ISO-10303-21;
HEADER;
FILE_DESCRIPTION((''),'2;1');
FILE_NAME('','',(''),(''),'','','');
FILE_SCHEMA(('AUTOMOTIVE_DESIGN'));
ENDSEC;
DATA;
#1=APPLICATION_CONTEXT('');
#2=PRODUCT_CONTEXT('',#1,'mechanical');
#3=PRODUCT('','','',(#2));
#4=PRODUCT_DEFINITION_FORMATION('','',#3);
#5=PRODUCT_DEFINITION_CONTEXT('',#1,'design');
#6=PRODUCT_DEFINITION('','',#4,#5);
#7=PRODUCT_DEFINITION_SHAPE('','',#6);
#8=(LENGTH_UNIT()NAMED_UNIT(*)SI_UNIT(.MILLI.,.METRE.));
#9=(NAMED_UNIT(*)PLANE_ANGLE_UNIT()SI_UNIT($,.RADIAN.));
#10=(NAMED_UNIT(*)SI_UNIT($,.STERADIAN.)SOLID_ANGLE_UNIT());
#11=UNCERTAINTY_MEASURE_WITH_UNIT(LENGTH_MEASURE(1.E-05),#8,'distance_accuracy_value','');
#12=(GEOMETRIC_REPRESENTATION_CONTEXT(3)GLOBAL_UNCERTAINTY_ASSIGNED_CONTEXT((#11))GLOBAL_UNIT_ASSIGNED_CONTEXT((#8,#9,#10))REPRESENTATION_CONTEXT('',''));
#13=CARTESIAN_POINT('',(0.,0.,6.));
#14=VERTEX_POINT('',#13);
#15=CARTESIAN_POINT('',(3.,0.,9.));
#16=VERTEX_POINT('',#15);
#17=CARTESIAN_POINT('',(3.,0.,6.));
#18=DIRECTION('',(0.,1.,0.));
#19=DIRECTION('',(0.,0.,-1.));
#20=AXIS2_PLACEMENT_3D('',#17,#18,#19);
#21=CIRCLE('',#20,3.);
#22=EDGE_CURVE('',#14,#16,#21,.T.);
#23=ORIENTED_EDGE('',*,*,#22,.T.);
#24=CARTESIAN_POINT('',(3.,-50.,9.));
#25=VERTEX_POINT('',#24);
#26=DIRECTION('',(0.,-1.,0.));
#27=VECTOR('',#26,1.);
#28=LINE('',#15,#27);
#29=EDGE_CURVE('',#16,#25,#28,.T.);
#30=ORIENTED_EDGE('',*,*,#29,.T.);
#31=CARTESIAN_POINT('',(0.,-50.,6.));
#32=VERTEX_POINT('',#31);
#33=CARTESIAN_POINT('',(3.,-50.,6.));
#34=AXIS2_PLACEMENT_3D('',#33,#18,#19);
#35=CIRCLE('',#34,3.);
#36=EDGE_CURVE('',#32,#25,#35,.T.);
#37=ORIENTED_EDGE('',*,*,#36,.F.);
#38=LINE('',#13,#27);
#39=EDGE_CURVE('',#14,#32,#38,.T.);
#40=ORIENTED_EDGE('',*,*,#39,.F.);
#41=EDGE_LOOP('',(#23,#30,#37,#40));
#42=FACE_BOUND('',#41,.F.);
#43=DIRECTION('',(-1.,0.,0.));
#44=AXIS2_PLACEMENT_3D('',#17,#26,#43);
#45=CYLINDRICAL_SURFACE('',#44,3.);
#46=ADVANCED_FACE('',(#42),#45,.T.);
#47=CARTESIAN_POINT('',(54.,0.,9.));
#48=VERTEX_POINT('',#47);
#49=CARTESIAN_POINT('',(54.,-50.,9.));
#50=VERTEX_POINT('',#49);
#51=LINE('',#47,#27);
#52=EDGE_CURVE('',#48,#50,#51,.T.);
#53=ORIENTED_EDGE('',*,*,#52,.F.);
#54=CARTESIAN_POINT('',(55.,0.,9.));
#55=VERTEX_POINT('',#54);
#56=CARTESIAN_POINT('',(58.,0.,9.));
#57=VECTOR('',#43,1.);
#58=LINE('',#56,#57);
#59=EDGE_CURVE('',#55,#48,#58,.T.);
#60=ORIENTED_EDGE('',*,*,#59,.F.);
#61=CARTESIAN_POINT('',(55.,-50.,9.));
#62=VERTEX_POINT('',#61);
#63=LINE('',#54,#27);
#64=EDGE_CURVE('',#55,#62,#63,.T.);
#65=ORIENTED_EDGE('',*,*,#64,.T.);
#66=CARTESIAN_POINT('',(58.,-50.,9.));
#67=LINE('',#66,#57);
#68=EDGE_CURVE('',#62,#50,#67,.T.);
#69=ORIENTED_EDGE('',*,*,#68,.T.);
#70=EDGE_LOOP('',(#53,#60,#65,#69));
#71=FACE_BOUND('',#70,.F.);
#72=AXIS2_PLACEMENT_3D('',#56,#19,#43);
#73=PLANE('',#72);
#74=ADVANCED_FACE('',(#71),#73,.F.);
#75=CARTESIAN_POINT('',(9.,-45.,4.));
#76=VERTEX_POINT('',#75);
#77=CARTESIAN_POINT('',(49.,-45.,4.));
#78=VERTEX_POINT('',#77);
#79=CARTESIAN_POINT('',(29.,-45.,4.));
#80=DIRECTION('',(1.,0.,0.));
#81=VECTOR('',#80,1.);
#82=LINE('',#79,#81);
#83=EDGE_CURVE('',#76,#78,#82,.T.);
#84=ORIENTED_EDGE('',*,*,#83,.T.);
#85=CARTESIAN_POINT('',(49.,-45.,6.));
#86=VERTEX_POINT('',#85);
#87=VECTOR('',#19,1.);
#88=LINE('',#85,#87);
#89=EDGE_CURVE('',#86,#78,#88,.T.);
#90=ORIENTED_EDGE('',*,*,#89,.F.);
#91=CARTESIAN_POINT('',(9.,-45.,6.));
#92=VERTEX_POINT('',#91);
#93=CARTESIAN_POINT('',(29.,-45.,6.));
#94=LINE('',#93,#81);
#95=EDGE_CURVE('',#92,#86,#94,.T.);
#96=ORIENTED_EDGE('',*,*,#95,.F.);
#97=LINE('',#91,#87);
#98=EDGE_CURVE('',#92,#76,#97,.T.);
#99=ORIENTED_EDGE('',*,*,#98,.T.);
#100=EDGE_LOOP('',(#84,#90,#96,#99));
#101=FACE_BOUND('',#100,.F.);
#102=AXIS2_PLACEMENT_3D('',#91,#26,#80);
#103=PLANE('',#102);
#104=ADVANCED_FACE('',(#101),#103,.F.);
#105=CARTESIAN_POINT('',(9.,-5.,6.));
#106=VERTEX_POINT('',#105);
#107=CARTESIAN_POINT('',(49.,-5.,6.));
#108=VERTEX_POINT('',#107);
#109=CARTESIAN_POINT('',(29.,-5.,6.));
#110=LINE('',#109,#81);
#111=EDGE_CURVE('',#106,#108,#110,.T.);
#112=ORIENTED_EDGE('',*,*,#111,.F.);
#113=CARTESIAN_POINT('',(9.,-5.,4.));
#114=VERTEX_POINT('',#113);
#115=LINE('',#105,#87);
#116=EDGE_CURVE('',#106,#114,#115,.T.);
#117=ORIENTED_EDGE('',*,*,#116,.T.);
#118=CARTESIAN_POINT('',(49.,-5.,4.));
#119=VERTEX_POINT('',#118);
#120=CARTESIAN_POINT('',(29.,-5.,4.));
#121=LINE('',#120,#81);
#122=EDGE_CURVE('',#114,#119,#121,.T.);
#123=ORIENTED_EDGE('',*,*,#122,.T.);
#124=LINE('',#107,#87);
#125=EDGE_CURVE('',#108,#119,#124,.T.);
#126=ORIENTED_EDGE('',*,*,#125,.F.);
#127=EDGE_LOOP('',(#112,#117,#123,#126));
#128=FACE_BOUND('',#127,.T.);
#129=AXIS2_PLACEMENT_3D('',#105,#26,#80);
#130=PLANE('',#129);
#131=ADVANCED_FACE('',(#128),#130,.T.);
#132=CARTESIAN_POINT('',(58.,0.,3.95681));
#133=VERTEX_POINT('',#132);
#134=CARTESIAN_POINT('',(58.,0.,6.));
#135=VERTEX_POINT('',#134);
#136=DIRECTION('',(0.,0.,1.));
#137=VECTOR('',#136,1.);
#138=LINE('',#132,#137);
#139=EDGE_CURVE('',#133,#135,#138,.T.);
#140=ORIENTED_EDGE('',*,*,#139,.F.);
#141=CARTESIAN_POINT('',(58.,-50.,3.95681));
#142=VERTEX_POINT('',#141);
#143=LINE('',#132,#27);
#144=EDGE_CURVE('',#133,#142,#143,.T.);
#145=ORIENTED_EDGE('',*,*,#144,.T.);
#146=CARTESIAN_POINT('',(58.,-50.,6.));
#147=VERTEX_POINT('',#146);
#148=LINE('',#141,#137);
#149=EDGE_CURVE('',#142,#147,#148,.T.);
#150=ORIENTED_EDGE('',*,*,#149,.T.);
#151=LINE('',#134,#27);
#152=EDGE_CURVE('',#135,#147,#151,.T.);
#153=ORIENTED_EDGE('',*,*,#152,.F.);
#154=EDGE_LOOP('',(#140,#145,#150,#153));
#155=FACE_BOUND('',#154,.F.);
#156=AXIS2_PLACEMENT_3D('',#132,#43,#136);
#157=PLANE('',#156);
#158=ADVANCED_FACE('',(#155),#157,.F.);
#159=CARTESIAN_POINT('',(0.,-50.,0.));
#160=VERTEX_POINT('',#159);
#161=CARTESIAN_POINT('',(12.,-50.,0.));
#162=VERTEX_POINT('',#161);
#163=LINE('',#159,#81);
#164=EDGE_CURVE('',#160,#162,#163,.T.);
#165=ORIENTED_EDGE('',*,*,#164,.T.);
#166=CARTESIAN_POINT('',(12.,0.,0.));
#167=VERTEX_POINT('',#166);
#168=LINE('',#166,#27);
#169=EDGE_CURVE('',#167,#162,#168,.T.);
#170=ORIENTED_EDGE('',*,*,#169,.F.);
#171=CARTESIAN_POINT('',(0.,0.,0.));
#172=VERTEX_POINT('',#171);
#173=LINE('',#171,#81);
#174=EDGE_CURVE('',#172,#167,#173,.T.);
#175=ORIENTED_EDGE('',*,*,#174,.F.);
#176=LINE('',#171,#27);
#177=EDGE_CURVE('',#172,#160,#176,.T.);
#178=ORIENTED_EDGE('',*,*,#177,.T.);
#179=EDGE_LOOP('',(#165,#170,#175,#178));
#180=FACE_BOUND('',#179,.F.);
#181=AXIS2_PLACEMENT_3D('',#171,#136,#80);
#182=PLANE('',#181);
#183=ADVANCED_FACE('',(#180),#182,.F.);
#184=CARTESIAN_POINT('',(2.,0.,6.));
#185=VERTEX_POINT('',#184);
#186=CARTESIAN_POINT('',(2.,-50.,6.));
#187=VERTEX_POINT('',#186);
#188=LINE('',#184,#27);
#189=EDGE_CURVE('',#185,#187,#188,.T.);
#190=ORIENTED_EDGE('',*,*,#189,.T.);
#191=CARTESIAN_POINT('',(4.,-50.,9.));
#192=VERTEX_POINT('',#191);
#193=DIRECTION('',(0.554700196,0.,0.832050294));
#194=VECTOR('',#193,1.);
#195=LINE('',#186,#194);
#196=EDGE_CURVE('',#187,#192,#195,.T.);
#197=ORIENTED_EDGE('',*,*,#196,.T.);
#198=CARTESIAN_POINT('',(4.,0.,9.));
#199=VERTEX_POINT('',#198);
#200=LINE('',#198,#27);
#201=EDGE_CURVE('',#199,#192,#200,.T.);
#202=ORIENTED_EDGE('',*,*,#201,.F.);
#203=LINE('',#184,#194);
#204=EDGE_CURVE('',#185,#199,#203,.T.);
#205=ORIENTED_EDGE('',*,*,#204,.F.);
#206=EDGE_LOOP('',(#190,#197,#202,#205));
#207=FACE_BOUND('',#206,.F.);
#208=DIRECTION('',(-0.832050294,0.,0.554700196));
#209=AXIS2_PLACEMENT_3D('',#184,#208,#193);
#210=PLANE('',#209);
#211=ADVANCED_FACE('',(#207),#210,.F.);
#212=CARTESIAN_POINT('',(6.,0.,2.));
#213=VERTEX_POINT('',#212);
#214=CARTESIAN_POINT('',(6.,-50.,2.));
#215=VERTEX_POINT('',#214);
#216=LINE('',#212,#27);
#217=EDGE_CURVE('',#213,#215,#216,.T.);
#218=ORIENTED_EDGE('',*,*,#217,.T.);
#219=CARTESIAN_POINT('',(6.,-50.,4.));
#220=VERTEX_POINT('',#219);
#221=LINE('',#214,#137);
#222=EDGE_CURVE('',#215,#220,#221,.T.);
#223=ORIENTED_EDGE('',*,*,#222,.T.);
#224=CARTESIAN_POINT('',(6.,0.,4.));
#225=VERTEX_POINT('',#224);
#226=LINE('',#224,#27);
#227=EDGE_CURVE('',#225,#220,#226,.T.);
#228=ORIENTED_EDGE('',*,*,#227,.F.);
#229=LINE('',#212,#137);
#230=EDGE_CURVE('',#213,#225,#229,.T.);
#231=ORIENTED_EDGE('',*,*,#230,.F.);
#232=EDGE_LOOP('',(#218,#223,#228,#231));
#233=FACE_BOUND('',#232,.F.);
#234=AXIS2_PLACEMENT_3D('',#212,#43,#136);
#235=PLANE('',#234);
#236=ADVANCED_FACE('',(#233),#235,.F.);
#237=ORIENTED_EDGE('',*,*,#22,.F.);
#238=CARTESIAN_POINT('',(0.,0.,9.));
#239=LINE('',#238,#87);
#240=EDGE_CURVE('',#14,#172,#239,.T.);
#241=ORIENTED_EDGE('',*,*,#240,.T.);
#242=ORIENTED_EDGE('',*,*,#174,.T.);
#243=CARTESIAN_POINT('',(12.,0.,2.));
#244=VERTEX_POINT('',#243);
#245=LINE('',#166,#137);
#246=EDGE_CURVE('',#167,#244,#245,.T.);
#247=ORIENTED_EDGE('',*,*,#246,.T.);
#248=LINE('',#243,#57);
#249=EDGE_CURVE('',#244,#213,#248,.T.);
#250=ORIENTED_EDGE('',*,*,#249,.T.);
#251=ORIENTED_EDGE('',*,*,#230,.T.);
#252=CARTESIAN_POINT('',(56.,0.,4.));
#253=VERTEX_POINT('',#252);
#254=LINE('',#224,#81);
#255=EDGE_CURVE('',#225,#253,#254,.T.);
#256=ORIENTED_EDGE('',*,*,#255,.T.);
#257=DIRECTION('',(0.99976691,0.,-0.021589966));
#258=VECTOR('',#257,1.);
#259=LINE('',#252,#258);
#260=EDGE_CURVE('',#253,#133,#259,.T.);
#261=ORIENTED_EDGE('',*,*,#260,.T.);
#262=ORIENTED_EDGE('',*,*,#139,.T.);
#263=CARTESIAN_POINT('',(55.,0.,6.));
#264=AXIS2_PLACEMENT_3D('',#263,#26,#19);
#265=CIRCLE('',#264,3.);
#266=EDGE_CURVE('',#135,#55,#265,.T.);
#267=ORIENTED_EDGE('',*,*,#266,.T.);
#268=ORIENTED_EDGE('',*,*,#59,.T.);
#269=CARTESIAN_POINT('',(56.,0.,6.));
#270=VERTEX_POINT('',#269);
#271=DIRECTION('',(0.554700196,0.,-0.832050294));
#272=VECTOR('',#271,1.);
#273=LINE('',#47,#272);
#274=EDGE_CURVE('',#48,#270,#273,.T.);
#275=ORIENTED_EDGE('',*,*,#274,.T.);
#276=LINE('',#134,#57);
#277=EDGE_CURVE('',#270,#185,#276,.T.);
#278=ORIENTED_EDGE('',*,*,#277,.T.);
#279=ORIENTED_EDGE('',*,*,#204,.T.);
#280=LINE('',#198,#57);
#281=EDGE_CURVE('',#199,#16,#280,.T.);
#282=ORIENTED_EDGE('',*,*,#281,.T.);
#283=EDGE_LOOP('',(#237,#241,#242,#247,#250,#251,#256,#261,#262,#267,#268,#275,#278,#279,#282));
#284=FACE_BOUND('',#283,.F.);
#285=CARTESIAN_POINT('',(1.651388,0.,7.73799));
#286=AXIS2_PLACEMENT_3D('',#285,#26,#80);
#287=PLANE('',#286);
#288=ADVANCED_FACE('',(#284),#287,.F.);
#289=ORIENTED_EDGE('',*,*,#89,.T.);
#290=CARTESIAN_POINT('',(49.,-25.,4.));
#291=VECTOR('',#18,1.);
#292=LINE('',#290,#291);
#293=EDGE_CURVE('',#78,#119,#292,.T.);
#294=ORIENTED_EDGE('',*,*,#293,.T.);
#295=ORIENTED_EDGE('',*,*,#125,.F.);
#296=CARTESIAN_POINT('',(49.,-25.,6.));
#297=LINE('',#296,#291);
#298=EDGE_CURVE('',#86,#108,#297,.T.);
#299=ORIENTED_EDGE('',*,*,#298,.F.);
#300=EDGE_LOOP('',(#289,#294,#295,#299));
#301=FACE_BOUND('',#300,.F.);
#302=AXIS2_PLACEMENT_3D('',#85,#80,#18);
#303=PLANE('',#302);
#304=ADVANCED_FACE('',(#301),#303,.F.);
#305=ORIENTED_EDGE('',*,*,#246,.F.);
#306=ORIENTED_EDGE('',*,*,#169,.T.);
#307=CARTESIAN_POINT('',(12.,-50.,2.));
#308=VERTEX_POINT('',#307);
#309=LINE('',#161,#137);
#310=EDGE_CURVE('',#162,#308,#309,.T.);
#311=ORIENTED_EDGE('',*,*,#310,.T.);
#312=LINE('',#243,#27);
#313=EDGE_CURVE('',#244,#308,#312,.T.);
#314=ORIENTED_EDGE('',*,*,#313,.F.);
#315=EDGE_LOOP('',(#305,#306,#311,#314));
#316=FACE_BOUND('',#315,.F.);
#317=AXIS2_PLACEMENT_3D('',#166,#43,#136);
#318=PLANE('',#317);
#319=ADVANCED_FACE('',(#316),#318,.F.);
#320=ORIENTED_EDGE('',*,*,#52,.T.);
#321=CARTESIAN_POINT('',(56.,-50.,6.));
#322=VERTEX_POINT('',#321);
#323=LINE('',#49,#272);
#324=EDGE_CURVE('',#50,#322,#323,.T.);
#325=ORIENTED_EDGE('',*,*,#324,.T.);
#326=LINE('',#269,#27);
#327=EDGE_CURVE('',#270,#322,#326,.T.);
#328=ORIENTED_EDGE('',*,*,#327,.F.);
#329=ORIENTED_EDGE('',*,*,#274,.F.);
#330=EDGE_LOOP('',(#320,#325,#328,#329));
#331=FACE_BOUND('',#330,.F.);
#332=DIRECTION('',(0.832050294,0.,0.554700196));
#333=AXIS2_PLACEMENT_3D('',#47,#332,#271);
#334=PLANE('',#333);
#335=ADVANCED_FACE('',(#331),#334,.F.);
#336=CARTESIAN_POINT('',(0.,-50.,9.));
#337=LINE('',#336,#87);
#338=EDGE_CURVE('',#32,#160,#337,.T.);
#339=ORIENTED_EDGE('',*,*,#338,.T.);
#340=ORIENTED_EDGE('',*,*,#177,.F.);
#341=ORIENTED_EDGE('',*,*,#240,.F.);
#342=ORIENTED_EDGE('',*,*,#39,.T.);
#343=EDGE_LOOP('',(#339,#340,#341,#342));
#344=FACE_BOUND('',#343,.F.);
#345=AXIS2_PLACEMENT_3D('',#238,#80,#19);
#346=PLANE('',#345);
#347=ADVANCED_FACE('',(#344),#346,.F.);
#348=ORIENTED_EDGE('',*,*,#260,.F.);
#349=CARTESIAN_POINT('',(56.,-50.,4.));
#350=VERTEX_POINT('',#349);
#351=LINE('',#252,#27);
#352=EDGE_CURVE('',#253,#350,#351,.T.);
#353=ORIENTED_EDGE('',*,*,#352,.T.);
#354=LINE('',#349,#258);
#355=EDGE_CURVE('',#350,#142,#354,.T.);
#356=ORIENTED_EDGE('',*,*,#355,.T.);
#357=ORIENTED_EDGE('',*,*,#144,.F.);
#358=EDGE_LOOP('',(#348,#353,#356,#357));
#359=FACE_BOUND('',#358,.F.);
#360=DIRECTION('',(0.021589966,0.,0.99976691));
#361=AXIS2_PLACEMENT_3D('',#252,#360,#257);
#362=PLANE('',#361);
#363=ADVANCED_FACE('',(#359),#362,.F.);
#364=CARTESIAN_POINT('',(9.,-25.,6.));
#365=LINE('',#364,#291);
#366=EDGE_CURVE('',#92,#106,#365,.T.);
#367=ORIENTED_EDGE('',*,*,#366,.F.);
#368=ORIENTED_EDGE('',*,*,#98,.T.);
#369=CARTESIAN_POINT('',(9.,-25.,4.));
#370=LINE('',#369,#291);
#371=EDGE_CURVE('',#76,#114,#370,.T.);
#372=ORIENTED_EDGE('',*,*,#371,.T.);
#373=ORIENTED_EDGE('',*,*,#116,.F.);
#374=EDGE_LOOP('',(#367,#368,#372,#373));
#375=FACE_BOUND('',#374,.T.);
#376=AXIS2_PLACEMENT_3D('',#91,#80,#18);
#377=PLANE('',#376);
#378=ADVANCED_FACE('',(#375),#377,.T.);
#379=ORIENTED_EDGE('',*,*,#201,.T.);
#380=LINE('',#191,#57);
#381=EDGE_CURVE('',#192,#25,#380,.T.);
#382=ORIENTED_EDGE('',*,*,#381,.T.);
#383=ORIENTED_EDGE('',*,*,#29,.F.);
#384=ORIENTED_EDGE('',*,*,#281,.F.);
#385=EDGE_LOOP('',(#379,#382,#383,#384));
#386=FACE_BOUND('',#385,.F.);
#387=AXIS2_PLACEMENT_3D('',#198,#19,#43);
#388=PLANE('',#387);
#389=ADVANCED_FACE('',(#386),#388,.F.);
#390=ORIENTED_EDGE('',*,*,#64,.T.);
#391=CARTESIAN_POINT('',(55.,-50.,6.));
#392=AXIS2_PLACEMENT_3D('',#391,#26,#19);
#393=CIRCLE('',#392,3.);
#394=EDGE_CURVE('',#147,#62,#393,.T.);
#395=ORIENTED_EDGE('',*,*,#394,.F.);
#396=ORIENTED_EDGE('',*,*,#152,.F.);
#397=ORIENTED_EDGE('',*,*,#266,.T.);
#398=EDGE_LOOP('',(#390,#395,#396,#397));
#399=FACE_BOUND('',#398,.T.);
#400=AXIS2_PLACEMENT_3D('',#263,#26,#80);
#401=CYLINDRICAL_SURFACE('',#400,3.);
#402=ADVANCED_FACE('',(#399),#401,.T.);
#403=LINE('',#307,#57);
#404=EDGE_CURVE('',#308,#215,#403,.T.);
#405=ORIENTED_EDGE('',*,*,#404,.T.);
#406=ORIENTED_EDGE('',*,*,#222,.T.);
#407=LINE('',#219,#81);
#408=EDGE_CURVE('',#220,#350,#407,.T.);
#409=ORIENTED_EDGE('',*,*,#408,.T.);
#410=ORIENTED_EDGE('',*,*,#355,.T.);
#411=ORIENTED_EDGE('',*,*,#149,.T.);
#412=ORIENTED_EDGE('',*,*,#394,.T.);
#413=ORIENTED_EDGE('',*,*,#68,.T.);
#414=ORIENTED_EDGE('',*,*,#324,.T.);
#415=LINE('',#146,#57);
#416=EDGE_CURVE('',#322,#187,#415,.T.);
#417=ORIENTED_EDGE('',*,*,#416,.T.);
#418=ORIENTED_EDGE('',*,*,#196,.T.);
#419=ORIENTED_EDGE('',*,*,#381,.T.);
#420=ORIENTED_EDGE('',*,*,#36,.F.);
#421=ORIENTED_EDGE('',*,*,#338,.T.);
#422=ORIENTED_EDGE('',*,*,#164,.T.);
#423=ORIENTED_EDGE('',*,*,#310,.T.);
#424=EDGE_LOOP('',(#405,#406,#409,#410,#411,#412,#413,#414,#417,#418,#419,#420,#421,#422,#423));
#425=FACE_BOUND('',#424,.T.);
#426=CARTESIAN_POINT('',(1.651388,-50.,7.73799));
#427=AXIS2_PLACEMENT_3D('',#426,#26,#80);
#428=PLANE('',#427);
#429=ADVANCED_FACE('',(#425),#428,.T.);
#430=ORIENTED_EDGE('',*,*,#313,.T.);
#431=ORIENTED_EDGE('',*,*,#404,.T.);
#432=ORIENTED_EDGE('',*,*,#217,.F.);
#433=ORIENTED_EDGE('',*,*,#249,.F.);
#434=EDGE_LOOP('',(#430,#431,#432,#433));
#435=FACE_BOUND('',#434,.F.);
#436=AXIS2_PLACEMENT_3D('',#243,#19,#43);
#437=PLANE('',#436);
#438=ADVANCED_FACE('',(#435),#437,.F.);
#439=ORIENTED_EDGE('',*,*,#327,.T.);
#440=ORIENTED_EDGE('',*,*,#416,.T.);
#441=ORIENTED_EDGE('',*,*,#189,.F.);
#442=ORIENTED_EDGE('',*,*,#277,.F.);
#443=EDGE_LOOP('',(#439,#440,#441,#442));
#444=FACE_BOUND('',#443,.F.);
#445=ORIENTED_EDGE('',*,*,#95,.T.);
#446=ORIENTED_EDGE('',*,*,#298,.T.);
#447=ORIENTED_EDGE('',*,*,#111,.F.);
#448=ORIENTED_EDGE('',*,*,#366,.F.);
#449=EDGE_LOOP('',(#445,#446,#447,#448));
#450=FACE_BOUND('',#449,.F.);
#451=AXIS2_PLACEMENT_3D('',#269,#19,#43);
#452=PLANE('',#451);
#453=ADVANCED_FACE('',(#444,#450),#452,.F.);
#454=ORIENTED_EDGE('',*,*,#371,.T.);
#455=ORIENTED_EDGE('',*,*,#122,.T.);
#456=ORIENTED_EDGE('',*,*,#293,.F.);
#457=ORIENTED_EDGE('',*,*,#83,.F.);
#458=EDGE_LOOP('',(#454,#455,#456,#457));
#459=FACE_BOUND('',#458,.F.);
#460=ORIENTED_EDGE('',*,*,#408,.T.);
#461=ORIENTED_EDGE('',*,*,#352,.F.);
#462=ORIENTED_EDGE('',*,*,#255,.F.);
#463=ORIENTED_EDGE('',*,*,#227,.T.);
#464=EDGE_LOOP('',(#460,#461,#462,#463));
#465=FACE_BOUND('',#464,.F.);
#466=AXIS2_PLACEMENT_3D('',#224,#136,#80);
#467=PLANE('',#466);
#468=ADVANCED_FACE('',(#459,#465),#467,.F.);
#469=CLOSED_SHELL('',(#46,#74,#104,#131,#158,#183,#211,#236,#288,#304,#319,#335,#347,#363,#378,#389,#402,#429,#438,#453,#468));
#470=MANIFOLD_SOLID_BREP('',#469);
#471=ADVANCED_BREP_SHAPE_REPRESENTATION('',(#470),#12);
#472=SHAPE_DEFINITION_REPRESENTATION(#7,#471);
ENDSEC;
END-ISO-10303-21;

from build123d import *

# Parameters (mm, degrees)
F1_DEPTH = 50
F2_R     = 3
F3_W     = 40
F3_H     = 40
F4_DEPTH = 2


with BuildPart() as f1:
    # F0 (on Front) → F1 (new body)
    with BuildSketch(Plane.XZ):
        Polygon((0, 9), (0, 6), (2, 6), (4, 9), align=None)
        Polygon((2, 6), (0, 6), (0, 0), (12, 0), (12, 2), (6, 2), (6, 4), (56, 4), (58, 3.95681), (58, 6), (56, 6), align=None)
        Polygon((54, 9), (56, 6), (58, 6), (58, 9), align=None)
    extrude(amount=F1_DEPTH)

    # F2
    f2_edges = [f1.edges().sort_by_distance(p)[0] for p in [
        (0, -25, 9),
        (58, -25, 9),
    ]]
    fillet(f2_edges, radius=F2_R)

    # F3 (on face) → F4 (cut)
    with BuildSketch(Plane.XY.offset(6)):
        with Locations((29, -25)):
            Rectangle(F3_W, F3_H)
    extrude(amount=-F4_DEPTH, mode=Mode.SUBTRACT)


solid = f1.part
